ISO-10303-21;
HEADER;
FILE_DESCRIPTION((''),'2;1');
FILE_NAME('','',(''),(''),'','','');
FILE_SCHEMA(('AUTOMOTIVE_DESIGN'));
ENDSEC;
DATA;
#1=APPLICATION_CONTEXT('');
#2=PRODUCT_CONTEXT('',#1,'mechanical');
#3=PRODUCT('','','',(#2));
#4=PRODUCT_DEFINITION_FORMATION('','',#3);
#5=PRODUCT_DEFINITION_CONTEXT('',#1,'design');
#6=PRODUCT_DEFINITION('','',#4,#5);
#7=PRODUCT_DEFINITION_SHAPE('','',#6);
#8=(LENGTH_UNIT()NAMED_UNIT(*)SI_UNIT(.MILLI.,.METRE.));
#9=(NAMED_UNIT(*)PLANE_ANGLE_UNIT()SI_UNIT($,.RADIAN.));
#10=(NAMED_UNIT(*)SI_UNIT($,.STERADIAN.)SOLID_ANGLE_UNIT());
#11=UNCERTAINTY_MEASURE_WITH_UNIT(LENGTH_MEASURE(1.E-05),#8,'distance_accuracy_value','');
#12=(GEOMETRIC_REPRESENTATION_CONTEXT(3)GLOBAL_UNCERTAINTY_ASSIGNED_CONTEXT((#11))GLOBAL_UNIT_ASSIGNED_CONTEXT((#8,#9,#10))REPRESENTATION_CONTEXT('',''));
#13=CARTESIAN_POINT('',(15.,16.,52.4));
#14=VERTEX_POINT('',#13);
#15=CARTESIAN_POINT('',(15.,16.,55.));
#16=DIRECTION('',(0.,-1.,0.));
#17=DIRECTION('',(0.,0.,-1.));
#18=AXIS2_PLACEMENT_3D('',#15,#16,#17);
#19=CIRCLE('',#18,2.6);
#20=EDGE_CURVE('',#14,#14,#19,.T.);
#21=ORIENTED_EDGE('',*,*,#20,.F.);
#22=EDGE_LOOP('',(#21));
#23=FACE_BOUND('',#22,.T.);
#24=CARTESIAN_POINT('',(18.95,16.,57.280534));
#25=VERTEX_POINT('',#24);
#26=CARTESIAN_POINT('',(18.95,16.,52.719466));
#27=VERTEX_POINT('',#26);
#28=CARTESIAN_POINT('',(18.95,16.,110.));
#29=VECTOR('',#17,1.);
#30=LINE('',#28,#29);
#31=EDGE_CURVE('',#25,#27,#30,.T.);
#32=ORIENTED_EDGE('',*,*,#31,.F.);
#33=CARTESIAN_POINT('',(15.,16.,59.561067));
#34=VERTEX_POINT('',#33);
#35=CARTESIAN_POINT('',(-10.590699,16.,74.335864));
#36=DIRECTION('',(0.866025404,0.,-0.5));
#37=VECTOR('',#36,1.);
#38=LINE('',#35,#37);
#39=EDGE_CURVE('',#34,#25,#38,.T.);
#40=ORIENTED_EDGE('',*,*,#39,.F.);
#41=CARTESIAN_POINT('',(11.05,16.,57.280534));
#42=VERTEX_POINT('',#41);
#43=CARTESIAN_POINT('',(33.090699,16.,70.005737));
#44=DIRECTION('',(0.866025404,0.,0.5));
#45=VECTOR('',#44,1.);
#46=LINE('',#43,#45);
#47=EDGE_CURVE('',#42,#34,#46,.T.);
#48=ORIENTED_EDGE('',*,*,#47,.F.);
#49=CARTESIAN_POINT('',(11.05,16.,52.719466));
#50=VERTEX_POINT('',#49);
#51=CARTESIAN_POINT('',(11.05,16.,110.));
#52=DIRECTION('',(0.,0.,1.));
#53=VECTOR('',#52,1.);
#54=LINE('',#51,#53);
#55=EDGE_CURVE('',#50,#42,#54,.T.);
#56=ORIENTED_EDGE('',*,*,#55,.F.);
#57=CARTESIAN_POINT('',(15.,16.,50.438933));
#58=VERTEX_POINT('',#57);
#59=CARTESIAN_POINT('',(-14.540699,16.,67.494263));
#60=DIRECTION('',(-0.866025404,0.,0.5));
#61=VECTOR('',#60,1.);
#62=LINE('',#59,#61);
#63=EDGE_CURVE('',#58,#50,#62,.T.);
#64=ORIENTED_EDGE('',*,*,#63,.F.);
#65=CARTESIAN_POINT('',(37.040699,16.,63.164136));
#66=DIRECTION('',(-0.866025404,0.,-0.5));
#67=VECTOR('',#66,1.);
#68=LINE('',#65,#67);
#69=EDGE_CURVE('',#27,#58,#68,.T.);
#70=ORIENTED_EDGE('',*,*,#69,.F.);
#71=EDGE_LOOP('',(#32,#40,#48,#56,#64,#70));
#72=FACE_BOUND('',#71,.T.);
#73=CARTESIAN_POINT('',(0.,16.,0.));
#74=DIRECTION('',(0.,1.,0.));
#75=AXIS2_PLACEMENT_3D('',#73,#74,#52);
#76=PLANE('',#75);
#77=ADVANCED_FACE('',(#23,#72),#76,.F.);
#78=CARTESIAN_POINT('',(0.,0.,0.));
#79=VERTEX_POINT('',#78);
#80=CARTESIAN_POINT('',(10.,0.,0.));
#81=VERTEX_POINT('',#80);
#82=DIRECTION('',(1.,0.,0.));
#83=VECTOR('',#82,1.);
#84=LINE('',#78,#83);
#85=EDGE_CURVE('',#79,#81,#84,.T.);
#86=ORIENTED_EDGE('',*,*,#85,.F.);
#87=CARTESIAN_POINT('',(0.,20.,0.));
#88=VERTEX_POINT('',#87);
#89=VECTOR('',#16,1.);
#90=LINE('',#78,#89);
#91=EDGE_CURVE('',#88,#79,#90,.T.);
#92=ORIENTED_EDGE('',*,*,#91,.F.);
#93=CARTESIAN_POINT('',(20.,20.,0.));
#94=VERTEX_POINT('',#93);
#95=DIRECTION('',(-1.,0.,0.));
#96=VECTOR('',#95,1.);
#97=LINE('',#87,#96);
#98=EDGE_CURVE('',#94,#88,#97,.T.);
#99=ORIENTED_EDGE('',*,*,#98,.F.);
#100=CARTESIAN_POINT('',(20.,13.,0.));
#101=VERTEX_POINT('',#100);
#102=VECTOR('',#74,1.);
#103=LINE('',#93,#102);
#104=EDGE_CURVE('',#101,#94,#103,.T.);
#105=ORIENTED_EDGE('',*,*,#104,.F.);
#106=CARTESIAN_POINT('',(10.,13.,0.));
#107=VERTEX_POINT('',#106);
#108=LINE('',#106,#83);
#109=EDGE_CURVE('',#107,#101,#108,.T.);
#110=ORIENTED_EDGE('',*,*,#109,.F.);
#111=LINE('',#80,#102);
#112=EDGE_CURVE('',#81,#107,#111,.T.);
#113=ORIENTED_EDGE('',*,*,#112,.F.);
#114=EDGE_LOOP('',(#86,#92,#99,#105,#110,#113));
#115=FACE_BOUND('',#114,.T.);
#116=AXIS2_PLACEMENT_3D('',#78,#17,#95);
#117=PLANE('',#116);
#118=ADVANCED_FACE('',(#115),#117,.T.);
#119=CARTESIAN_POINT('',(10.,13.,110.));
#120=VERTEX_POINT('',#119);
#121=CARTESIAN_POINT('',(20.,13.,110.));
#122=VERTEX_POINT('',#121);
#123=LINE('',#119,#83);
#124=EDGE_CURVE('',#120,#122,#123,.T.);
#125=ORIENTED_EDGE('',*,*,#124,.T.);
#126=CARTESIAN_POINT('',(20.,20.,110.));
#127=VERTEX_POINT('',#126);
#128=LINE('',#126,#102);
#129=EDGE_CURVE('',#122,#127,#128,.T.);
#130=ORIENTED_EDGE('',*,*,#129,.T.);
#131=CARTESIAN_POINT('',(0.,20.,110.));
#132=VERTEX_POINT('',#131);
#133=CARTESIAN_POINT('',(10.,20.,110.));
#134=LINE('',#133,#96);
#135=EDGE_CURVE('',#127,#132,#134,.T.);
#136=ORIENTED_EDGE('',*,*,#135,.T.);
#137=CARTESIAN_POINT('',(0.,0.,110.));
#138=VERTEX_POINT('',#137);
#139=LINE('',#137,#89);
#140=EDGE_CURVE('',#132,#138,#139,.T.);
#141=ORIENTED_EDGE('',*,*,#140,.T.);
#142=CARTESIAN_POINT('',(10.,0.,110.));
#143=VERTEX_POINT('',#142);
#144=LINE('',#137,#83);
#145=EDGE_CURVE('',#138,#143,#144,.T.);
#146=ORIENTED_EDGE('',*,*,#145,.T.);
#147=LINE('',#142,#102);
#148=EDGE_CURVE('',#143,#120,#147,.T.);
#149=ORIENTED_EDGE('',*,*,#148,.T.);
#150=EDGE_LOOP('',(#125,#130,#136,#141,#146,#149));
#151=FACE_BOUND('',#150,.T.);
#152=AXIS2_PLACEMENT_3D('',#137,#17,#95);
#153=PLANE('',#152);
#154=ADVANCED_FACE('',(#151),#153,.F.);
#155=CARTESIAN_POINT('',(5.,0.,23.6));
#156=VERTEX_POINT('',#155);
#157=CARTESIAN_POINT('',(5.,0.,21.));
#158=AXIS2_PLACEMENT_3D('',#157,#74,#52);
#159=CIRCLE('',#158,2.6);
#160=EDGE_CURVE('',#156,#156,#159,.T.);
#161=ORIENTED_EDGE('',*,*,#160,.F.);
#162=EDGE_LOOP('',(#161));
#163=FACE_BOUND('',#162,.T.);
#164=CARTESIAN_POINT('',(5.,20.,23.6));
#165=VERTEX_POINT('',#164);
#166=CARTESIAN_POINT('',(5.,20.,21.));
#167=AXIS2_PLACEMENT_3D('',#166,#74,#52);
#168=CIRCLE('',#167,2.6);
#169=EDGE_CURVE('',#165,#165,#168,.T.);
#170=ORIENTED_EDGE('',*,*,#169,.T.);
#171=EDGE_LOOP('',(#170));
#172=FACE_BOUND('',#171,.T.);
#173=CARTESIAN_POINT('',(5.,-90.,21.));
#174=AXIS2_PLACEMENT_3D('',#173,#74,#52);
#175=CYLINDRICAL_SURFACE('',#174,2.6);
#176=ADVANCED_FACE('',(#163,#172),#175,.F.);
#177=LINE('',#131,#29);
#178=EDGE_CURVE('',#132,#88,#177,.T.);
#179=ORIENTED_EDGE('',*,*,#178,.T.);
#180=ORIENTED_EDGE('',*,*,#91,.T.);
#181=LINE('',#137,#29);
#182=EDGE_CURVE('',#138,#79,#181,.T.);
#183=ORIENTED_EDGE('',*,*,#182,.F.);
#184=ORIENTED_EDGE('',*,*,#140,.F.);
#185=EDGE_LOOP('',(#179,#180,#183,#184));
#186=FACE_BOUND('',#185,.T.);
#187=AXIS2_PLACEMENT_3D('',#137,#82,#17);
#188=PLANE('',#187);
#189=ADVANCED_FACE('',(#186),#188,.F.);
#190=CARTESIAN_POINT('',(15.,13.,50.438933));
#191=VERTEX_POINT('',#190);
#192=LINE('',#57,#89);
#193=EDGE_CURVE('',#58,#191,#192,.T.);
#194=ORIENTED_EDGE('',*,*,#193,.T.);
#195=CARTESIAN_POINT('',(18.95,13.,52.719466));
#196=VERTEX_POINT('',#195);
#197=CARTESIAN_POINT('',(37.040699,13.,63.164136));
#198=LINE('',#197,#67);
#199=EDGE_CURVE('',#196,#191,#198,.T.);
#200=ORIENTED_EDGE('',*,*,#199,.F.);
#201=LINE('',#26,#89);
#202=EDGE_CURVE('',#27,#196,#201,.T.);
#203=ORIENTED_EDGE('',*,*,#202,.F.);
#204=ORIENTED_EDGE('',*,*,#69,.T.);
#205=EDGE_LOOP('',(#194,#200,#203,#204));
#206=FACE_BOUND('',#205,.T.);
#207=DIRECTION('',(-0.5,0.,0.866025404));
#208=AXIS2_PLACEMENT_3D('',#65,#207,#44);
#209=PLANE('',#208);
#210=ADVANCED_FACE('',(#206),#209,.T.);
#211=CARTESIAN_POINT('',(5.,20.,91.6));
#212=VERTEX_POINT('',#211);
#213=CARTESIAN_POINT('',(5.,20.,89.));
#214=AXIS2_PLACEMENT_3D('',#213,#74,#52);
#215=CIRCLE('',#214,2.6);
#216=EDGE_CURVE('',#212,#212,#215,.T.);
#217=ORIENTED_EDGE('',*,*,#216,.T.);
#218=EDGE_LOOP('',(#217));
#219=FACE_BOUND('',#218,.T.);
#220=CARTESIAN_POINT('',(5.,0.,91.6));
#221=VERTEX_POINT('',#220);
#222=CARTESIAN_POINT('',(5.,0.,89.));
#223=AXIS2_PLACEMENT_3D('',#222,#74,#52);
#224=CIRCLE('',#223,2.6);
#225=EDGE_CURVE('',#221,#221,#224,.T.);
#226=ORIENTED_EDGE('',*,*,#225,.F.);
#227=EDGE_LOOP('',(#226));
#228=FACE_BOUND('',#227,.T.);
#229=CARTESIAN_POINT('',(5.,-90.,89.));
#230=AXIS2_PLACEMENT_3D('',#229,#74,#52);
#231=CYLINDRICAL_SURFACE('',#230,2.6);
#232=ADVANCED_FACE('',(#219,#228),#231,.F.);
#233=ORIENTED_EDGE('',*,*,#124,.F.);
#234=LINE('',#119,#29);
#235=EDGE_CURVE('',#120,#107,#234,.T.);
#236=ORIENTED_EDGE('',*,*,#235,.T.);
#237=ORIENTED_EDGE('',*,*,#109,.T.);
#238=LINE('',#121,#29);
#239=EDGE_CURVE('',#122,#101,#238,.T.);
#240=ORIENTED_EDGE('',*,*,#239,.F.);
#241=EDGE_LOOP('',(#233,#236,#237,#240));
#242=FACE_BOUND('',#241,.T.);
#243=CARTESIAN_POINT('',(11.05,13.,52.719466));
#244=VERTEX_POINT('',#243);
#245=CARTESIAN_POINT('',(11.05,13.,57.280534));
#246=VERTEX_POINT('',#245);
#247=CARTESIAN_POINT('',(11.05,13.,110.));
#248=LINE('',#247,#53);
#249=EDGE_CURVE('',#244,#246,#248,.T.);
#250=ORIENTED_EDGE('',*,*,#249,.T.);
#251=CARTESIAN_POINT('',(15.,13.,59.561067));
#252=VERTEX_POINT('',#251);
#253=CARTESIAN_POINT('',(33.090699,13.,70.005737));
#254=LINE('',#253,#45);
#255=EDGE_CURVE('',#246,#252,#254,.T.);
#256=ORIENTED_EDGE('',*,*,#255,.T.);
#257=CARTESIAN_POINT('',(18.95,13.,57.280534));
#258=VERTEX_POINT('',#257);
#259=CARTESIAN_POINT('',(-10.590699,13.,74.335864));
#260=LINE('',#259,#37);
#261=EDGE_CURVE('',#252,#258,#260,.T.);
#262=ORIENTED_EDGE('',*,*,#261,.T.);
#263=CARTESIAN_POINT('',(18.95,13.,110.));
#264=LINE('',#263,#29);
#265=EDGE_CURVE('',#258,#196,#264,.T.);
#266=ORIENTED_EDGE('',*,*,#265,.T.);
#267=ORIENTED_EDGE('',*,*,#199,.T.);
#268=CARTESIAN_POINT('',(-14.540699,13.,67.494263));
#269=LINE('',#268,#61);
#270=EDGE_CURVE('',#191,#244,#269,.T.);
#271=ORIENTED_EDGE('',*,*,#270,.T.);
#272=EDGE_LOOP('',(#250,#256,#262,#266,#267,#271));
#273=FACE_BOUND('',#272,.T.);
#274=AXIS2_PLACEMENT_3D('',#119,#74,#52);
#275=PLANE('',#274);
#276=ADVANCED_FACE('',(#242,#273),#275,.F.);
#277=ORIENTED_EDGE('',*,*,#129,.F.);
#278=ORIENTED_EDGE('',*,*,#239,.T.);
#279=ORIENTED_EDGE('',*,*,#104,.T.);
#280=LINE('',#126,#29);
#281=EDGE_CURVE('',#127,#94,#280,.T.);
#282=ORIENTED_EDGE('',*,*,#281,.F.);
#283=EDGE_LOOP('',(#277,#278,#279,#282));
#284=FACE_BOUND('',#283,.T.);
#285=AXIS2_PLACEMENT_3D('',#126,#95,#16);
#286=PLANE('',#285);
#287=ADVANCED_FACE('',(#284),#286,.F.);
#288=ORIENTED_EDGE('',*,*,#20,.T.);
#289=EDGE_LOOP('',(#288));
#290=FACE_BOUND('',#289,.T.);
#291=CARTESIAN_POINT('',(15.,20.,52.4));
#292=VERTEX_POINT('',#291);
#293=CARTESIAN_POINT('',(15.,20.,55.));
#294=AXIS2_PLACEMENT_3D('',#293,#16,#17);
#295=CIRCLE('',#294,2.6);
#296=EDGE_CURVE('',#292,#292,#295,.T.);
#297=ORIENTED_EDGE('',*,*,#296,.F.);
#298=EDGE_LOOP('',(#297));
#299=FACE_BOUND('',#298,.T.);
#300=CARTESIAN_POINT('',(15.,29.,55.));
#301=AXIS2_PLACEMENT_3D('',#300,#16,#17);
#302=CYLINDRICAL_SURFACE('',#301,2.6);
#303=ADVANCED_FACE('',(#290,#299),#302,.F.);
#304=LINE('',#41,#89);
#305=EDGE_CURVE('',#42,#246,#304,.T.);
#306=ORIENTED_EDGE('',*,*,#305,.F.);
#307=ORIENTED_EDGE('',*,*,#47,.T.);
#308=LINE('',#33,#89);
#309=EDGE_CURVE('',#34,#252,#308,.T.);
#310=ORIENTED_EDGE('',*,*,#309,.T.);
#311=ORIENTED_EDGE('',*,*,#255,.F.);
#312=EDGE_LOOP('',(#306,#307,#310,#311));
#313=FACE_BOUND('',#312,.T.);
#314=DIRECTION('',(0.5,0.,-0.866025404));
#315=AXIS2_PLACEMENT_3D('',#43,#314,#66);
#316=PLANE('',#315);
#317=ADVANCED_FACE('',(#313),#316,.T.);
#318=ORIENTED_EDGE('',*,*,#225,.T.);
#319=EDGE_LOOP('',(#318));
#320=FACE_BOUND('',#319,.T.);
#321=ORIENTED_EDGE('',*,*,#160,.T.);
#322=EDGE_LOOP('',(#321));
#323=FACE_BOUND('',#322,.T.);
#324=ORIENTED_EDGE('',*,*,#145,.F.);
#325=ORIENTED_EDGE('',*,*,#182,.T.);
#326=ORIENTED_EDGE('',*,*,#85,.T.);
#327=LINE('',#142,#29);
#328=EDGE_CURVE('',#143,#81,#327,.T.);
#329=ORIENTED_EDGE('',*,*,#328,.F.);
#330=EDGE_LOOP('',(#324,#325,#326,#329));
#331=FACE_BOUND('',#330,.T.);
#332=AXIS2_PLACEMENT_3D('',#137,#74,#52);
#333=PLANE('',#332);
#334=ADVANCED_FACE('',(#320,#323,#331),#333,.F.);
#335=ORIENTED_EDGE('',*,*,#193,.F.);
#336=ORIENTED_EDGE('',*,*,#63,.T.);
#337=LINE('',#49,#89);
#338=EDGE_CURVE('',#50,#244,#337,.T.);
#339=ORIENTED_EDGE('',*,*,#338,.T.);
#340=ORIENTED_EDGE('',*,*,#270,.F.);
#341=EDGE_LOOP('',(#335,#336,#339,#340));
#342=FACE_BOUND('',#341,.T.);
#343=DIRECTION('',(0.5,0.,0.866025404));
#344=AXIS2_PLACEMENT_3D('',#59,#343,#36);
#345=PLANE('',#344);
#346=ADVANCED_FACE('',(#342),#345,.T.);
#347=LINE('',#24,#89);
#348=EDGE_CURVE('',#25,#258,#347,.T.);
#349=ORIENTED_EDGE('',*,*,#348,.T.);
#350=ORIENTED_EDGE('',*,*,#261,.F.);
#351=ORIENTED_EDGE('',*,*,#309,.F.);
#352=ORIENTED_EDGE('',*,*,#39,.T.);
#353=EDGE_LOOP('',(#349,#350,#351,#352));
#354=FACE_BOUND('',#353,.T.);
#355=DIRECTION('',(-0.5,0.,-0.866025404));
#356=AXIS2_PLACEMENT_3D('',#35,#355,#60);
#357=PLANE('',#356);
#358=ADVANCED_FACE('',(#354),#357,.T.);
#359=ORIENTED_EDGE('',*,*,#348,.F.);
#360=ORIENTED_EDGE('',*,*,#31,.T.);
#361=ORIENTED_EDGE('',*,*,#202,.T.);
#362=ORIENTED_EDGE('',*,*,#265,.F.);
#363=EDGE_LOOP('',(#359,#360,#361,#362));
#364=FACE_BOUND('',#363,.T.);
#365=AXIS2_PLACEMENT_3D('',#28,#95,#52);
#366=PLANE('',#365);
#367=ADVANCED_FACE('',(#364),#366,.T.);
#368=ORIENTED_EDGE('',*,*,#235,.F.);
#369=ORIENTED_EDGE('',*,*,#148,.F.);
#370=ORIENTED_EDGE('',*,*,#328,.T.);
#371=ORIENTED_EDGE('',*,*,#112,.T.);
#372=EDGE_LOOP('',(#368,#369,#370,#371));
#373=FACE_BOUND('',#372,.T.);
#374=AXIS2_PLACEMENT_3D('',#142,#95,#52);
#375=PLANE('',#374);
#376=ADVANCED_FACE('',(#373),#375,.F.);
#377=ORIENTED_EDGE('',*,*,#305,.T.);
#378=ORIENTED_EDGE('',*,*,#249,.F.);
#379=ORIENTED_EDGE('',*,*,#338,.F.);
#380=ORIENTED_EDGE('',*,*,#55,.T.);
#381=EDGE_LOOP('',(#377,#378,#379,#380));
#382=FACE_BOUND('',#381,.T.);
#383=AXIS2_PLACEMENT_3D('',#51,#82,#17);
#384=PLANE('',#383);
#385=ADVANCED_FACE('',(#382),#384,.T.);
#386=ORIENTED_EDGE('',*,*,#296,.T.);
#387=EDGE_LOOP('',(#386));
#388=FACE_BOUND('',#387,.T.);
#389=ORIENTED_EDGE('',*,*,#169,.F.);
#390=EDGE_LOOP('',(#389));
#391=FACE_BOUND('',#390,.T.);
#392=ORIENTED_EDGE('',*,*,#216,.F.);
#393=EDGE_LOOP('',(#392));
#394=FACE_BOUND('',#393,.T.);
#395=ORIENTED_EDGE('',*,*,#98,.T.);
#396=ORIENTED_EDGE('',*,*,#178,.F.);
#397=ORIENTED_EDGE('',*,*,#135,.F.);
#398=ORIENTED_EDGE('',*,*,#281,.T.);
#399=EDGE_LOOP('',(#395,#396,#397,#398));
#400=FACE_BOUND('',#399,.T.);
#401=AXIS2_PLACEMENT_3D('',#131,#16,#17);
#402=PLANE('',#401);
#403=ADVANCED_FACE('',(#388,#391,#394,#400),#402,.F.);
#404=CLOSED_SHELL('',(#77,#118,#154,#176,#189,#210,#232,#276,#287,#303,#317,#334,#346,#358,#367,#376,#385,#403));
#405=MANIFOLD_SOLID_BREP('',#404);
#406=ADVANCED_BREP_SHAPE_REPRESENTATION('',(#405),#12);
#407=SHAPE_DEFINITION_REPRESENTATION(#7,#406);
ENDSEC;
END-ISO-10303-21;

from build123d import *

# Parameters (mm, degrees)
BOSS_EXTRUDE1_DEPTH = 110
SKETCH2_R           = 2.6
CUT_EXTRUDE1_DEPTH  = 110
CUT_EXTRUDE2_START  = -7
CUT_EXTRUDE2_DEPTH  = 3
SKETCH4_R           = 2.6
CUT_EXTRUDE3_DEPTH  = 13


with BuildPart() as part:
    # Sketch1 → Boss-Extrude1 (new body)
    with BuildSketch(Plane.XY):
        Polygon((0, 0), (10, 0), (10, 13), (20, 13), (20, 20), (10, 20), (0, 20), align=None)
    extrude(amount=BOSS_EXTRUDE1_DEPTH)

    # Sketch2 → Cut-Extrude1 (cut)
    with BuildSketch(Plane(origin=(0, 20, 0), x_dir=(1, 0, 0), z_dir=(0, 1, 0))):
        with Locations((5, -21)):
            Circle(SKETCH2_R)
        with Locations((5, -89)):
            Circle(SKETCH2_R)
    extrude(amount=-CUT_EXTRUDE1_DEPTH, mode=Mode.SUBTRACT)

    # Sketch3 → Cut-Extrude2 (cut)
    with BuildSketch(Plane(origin=(0, 20, 0), x_dir=(1, 0, 0), z_dir=(0, 1, 0)).offset(CUT_EXTRUDE2_START)):
        Polygon((15, -50.438932873), (11.05, -52.719466437), (11.05, -57.280533563), (15, -59.561067127), (18.95, -57.280533563), (18.95, -52.719466437), align=None)
    extrude(amount=CUT_EXTRUDE2_DEPTH, mode=Mode.SUBTRACT)

    # Sketch4 → Cut-Extrude3 (cut)
    with BuildSketch(Plane.XZ.offset(-16)):
        with Locations((15, 55)):
            Circle(SKETCH4_R)
    extrude(amount=-CUT_EXTRUDE3_DEPTH, mode=Mode.SUBTRACT)


solid = part.part
